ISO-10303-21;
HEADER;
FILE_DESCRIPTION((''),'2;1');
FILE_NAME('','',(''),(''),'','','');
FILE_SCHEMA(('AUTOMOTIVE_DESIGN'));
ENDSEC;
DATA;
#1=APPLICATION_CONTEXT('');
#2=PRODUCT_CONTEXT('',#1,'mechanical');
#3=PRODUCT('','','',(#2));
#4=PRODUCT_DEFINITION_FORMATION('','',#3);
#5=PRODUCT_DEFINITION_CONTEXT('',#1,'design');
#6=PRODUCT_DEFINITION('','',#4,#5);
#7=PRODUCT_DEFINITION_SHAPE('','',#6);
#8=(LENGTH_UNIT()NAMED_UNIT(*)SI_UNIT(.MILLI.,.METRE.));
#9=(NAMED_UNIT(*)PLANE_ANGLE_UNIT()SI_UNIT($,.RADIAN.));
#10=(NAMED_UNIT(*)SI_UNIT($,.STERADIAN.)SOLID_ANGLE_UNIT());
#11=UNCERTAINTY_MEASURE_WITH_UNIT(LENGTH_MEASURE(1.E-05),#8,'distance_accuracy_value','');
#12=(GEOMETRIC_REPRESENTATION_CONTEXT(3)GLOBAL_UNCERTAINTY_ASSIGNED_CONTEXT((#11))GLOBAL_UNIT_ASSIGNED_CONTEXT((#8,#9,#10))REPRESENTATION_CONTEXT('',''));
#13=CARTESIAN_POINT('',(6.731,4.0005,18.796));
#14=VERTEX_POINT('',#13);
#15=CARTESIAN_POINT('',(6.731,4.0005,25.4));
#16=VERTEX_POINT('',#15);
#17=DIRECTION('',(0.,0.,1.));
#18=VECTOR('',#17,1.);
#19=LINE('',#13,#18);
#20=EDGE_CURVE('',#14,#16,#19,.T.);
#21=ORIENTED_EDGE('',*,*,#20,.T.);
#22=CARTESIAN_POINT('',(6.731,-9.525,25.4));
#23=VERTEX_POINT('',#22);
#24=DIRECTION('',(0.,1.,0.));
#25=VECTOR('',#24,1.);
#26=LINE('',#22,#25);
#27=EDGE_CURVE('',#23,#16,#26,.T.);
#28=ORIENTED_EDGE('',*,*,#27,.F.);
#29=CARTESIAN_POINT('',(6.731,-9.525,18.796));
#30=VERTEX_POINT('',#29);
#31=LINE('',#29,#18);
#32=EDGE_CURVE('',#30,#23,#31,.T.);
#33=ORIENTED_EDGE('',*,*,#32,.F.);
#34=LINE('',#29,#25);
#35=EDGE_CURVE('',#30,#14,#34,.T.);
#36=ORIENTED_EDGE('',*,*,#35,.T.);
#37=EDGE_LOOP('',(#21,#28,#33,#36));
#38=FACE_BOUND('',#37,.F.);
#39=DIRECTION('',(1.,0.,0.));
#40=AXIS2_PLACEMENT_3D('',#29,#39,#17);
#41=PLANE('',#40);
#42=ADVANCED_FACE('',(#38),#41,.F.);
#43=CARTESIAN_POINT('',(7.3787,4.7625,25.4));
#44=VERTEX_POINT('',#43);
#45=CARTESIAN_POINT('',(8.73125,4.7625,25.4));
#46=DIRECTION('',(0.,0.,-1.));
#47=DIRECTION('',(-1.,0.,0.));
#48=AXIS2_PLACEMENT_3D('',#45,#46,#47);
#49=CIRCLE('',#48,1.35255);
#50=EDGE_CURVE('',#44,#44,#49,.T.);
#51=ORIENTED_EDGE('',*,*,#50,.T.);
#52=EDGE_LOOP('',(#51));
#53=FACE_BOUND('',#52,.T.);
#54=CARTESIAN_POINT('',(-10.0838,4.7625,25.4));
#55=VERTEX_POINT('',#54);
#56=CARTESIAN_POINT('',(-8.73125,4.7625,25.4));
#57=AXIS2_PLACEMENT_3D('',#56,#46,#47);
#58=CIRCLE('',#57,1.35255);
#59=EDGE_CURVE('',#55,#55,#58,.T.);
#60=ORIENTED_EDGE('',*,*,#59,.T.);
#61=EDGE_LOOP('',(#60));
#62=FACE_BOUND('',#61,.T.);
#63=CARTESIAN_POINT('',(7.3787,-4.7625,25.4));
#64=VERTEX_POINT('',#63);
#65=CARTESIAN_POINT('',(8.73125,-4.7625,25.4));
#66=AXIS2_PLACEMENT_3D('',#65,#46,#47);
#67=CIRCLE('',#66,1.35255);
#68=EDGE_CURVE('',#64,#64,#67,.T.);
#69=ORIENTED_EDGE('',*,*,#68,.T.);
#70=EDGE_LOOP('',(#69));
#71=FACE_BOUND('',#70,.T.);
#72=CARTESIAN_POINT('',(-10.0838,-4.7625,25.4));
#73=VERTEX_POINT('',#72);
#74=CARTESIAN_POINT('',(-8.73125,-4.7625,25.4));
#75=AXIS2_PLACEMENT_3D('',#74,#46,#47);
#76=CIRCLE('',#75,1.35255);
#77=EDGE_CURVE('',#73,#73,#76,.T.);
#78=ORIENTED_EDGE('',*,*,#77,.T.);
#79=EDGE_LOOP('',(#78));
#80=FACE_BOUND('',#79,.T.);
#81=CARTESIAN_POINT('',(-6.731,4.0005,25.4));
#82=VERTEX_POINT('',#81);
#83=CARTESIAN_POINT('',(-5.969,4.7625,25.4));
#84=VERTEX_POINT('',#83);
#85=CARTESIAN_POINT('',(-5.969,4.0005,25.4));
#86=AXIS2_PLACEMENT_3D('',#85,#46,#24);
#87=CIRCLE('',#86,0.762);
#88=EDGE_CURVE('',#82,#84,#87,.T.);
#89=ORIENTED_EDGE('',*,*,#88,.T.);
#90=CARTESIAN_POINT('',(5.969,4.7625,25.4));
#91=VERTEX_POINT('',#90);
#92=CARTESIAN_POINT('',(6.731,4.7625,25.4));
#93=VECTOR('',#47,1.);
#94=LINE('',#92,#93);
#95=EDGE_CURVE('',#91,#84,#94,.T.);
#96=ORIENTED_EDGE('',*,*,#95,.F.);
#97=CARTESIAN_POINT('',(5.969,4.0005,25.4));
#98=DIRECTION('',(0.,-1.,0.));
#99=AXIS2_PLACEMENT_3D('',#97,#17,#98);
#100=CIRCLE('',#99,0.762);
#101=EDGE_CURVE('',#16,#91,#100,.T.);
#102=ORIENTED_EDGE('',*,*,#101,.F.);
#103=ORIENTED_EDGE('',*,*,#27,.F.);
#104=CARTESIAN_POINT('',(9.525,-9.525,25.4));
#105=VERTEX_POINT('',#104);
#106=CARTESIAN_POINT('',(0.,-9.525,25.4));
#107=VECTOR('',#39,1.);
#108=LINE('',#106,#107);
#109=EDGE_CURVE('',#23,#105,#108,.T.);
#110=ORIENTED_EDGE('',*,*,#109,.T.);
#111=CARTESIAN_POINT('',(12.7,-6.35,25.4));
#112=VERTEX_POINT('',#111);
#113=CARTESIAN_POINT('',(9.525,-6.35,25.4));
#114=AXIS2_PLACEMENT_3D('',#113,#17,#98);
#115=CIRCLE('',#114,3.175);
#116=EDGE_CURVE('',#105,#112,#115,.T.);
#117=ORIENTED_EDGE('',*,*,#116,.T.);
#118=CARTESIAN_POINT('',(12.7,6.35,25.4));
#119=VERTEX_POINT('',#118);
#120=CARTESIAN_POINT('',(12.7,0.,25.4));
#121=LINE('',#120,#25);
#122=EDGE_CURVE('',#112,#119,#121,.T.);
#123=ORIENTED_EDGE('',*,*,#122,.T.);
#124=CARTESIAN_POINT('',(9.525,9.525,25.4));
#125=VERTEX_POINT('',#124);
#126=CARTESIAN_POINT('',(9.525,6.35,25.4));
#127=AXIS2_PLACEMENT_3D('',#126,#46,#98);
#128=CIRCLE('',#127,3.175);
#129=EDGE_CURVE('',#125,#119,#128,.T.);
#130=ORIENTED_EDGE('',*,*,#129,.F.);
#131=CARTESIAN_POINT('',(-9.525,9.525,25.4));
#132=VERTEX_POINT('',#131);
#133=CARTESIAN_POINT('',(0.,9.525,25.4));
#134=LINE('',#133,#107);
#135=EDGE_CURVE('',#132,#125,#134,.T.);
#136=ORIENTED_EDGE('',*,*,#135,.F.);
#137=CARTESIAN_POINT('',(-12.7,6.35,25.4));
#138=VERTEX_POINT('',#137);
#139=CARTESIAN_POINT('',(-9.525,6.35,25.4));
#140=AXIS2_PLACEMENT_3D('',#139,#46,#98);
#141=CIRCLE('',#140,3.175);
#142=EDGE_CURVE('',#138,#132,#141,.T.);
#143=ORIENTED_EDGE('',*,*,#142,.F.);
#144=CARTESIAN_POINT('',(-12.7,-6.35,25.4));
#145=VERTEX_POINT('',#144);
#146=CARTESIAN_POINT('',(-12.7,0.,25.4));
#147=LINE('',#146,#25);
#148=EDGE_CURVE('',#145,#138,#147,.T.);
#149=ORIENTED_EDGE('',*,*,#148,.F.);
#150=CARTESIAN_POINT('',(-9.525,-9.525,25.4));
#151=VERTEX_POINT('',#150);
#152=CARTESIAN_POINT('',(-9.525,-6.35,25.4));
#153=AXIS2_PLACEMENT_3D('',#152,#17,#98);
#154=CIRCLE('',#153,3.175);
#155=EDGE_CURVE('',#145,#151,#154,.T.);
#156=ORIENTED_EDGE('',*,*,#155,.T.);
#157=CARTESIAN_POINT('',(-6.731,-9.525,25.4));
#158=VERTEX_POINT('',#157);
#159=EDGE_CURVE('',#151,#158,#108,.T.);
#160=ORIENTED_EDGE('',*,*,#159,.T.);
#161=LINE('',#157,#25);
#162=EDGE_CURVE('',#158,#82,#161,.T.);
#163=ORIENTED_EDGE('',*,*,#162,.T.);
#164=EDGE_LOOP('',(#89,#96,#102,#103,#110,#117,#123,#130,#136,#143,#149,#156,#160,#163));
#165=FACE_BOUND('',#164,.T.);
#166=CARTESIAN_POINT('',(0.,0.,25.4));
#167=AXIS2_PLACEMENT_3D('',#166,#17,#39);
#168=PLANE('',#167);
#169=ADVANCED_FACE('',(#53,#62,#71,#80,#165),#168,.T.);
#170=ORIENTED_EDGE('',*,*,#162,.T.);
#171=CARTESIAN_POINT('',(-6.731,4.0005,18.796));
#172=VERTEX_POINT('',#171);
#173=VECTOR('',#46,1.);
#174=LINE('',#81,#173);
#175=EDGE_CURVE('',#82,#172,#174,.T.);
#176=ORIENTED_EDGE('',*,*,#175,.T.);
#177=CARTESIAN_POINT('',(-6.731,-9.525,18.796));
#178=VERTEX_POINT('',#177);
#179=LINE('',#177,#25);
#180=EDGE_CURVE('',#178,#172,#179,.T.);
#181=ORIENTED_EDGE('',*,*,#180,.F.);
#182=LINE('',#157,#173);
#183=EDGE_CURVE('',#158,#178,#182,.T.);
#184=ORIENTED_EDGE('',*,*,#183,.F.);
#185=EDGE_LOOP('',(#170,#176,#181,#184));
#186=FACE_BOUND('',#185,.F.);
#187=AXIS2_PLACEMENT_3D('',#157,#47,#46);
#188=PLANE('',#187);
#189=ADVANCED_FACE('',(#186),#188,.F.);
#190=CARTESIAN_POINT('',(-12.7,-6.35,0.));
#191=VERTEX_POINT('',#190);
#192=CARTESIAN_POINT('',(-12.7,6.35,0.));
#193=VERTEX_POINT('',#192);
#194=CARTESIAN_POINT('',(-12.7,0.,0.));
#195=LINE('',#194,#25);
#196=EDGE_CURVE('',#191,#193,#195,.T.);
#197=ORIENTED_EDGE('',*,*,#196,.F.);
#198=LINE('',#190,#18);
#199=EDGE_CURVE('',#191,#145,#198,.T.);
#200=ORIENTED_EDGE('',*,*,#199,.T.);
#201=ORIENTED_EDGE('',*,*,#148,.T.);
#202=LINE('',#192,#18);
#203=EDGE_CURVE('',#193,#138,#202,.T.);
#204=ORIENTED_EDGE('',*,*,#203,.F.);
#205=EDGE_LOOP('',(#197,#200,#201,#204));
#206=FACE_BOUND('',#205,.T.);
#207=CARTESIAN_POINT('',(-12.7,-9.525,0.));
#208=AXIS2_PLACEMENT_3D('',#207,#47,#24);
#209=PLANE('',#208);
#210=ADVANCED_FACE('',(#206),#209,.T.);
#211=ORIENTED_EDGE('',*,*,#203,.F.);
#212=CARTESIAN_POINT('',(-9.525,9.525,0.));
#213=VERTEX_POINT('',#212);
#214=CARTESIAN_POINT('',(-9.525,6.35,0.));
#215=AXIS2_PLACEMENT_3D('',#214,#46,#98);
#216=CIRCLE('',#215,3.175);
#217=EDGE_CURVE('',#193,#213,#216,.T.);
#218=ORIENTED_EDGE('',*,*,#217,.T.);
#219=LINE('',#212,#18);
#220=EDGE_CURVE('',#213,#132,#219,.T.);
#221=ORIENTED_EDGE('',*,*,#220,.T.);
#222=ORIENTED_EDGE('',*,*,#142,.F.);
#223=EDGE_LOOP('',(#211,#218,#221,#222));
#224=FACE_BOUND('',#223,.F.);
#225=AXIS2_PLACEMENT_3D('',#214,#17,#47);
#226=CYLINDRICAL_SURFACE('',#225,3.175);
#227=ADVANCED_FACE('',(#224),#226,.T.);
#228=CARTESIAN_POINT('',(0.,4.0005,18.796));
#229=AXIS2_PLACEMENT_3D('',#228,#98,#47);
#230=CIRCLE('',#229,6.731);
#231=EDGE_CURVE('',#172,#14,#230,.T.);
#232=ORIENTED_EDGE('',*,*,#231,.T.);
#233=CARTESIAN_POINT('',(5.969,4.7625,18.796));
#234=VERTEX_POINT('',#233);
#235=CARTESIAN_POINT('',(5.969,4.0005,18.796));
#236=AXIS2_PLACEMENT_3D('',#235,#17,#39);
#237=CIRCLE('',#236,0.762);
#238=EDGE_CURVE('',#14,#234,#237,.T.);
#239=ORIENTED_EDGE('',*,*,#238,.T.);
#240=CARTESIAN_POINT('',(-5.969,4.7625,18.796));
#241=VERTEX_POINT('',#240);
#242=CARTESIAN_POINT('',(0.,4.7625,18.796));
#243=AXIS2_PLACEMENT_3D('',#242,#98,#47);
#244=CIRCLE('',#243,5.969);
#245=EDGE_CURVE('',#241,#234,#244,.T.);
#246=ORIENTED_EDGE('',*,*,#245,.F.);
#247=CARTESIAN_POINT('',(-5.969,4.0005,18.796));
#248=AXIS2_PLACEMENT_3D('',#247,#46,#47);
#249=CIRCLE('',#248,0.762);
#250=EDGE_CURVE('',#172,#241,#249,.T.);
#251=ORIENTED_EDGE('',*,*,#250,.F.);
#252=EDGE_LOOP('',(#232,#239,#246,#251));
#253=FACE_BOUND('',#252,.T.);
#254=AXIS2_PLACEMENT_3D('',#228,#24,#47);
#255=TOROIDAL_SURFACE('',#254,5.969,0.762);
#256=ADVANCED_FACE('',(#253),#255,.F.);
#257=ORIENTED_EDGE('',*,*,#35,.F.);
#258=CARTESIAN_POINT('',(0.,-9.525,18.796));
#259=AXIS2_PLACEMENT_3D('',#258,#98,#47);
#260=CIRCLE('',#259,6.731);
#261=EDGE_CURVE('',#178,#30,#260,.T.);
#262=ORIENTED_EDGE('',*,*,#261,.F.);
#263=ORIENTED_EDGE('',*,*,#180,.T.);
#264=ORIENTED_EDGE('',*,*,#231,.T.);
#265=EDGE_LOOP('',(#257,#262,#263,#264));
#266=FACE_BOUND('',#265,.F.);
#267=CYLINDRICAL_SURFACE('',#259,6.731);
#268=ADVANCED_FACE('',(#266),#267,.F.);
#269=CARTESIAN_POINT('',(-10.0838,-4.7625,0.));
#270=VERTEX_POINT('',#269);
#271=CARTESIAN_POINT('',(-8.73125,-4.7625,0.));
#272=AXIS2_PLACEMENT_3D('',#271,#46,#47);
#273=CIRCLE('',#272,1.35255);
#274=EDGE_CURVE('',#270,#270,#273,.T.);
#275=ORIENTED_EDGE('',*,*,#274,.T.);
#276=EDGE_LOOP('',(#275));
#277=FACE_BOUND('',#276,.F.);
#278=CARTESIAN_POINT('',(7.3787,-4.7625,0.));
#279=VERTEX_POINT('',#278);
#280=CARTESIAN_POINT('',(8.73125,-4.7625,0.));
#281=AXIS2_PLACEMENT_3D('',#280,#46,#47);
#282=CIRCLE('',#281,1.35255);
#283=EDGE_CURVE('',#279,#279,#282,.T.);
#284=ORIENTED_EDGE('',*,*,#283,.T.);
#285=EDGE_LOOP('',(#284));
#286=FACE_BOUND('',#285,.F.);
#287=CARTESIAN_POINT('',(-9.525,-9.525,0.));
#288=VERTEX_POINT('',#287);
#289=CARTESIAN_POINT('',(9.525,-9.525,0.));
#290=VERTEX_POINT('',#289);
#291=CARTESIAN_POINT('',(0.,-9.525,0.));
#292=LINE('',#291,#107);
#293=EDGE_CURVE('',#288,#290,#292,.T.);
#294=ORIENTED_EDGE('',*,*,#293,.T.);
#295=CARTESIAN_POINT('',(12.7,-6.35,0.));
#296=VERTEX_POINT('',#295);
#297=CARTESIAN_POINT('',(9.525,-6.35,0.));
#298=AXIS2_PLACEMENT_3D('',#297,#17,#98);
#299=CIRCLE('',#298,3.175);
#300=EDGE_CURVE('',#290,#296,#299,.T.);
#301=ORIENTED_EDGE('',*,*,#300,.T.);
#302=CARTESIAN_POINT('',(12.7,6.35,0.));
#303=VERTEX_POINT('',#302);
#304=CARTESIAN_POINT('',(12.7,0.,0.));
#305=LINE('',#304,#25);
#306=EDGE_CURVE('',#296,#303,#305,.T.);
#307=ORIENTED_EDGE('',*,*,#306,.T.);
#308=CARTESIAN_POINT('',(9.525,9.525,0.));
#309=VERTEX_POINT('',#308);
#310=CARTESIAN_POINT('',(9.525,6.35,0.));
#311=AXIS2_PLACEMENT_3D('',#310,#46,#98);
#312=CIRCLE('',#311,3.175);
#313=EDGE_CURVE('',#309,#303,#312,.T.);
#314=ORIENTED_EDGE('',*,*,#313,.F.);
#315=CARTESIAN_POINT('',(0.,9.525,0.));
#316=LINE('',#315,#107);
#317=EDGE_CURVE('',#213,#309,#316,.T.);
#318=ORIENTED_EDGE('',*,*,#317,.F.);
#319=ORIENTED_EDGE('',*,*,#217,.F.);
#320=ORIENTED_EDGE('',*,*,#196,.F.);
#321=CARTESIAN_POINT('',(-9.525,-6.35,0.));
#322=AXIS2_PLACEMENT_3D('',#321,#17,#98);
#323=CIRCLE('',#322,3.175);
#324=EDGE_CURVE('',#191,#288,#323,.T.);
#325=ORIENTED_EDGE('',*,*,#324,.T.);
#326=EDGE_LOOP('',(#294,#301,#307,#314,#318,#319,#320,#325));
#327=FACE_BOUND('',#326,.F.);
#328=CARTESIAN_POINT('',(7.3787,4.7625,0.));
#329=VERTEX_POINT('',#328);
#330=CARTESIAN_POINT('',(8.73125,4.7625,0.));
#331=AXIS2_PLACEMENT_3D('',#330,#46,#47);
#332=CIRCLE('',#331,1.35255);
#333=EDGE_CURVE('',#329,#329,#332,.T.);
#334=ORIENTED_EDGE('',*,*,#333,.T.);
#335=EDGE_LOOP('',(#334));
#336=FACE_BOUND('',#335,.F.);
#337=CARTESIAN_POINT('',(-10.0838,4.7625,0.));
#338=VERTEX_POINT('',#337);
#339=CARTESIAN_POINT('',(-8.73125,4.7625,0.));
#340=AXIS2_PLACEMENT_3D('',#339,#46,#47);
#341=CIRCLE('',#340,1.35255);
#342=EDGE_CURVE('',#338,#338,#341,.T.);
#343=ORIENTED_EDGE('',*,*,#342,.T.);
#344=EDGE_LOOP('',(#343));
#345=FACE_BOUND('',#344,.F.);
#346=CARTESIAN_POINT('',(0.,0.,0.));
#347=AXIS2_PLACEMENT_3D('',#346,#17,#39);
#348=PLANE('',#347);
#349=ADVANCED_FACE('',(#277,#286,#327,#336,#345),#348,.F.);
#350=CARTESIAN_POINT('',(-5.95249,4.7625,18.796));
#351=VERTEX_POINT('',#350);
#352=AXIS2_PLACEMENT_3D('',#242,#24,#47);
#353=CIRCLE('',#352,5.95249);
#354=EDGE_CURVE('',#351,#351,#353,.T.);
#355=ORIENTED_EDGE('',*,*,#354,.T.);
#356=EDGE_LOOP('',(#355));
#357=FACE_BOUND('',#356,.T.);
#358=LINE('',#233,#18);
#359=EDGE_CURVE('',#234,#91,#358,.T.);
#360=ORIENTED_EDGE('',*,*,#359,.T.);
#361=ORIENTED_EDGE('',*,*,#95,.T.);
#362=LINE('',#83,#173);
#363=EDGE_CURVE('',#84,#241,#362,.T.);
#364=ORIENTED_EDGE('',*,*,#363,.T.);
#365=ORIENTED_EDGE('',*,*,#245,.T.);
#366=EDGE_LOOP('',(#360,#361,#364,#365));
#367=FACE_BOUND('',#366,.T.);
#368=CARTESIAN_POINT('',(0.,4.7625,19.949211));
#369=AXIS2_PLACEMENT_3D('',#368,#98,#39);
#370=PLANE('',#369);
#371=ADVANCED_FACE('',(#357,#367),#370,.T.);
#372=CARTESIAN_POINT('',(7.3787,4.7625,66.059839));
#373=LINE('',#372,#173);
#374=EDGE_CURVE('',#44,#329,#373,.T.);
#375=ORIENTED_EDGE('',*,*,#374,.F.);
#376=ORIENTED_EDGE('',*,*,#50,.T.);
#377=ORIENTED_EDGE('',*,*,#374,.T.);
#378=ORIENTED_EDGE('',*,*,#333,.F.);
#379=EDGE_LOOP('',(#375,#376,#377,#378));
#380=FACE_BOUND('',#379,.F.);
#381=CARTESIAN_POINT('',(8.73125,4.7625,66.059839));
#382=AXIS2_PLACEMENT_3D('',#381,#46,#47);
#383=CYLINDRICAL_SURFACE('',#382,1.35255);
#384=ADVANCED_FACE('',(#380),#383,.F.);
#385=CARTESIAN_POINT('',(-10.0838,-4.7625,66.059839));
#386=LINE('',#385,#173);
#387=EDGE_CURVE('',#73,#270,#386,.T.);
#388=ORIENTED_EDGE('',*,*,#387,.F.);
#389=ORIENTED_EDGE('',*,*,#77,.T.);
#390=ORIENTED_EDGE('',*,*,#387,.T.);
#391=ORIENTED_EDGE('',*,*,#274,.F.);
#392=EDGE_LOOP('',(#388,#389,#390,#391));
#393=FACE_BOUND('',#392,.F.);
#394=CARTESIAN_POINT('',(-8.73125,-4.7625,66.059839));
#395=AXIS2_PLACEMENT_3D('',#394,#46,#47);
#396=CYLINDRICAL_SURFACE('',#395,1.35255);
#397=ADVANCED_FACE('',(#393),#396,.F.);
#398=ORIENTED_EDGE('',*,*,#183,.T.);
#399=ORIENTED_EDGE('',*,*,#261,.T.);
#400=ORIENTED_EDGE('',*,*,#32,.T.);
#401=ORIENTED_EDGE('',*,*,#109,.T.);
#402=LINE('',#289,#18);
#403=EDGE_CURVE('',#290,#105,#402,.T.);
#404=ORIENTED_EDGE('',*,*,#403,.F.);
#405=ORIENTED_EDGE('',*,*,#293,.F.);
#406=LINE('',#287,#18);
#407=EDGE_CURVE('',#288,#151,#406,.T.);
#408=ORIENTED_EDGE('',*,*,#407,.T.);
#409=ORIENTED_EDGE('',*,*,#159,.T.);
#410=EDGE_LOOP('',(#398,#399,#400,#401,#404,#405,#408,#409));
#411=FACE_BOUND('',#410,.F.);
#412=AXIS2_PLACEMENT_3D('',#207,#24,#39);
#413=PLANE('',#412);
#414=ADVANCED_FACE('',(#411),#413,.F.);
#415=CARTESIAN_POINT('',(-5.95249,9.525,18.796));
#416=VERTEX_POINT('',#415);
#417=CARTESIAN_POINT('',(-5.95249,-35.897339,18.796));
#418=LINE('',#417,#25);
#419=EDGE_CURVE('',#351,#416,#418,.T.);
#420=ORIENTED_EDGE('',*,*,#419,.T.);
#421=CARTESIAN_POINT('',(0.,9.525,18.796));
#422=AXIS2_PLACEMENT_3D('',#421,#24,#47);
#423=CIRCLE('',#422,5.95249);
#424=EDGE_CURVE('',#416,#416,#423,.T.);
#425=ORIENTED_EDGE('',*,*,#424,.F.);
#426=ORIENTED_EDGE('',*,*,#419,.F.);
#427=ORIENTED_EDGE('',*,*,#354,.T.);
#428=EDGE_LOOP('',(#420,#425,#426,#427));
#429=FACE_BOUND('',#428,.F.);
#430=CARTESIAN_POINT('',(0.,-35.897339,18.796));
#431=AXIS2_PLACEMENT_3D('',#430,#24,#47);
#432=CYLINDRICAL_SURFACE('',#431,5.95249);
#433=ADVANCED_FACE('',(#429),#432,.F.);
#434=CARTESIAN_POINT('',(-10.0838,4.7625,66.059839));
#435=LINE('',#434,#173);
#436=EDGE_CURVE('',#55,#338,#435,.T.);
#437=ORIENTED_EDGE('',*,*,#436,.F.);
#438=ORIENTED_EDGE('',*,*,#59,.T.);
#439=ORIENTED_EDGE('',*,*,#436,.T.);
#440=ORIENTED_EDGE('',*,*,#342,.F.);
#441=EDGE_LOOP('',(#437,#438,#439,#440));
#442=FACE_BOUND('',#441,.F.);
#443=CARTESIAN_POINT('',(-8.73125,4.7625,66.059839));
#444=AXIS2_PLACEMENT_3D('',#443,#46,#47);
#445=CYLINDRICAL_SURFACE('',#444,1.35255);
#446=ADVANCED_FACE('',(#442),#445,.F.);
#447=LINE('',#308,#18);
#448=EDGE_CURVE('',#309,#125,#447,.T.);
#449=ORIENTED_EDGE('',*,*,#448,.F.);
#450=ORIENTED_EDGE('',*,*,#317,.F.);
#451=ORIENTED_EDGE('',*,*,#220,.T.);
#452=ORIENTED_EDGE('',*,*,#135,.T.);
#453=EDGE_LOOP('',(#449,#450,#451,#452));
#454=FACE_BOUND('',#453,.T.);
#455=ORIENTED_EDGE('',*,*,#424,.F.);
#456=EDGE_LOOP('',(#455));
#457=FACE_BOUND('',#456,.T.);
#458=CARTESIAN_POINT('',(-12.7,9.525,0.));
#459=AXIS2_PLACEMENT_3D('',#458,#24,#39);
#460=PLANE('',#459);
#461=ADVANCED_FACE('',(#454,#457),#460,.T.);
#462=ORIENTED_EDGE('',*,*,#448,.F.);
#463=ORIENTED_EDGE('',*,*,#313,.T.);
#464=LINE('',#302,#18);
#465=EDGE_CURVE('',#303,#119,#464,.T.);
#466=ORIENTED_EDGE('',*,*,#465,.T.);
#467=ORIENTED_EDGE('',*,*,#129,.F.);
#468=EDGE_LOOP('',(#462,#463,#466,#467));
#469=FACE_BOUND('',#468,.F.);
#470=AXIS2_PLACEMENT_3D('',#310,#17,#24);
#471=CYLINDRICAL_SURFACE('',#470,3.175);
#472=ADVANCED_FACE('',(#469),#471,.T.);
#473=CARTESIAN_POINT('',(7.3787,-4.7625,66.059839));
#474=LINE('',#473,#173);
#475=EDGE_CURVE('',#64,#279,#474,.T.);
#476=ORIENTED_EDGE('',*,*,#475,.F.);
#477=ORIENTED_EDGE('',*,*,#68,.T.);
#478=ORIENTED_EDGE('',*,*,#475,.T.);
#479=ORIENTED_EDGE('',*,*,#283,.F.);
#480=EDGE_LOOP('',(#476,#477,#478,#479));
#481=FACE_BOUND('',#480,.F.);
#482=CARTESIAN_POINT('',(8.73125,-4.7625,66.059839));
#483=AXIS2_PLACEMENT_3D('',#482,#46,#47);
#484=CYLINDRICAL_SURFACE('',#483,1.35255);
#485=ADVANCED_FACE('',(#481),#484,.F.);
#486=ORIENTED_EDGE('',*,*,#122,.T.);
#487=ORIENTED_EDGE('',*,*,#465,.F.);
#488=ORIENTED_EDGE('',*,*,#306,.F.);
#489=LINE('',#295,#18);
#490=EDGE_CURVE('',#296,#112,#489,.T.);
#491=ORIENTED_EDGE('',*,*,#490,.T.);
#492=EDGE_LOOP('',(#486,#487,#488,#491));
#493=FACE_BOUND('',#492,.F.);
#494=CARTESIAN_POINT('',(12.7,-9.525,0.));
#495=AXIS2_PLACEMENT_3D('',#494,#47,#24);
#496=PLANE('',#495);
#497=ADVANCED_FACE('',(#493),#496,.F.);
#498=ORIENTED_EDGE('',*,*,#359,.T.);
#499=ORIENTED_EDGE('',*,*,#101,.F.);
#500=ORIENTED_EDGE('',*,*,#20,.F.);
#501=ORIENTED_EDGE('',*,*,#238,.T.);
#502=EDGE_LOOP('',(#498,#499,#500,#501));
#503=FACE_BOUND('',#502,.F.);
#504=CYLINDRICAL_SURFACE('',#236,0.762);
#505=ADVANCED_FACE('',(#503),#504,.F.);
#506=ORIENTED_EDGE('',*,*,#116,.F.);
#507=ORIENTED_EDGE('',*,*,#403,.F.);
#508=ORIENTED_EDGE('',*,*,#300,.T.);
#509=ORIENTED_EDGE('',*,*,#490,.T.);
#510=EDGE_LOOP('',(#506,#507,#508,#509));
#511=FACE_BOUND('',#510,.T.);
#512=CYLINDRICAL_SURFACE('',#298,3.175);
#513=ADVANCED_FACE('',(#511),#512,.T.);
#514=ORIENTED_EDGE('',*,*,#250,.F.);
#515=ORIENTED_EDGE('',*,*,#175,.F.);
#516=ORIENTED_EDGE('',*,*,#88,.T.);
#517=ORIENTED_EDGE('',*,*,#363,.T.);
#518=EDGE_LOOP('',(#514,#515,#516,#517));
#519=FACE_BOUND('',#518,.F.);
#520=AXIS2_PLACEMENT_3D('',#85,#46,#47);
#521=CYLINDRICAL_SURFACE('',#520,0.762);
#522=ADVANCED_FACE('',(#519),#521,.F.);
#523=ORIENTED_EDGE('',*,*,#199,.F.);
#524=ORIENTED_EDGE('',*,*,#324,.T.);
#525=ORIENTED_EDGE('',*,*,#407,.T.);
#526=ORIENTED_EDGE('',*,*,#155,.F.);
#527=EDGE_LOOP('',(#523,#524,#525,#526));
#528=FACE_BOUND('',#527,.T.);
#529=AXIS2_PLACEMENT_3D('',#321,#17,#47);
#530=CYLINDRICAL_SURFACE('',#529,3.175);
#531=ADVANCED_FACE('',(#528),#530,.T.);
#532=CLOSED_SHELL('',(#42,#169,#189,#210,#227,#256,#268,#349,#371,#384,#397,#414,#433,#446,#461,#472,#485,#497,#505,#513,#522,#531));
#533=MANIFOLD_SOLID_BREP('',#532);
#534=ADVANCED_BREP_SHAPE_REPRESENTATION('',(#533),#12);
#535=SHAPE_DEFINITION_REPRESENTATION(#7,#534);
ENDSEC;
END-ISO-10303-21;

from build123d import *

# Parameters (mm, degrees)
F0_W     = 25.4
F0_H     = 19.05
F1_DEPTH = 25.4
F3_DEPTH = 14.2875
F5_D     = 2.7051
F7_D     = 11.90498
F8_R     = 3.175
F9_R     = 0.762


with BuildPart() as f1:
    # F0 (on Top) → F1 (new body)
    with BuildSketch(Plane.XY):
        Rectangle(F0_W, F0_H)
    extrude(amount=F1_DEPTH)

    # F2 (on face) → F3 (cut)
    with BuildSketch(Plane.XZ.offset(9.525)):
        with BuildLine():
            Line((6.731, 25.4), (-6.731, 25.4))
            Line((-6.731, 25.4), (-6.731, 18.796))
            ThreePointArc((-6.731, 18.796), (0, 12.065), (6.731, 18.796))
            Line((6.731, 18.796), (6.731, 25.4))
        make_face()
    extrude(amount=-F3_DEPTH, mode=Mode.SUBTRACT)

    # F5 (through all)
    with Locations(Plane.XY.offset(25.4)):
        with Locations((-8.73125, 4.7625), (-8.73125, -4.7625), (8.73125, 4.7625), (8.73125, -4.7625)):
            Hole(F5_D / 2)

    # F7 (through all)
    with Locations(Plane.XZ.offset(-4.7625)):
        with Locations((0, 18.796)):
            Hole(F7_D / 2)

    # F8
    f8_edges = [f1.edges().sort_by_distance(p)[0] for p in [
        (-12.7, -9.525, 12.7),
        (12.7, -9.525, 12.7),
        (12.7, 9.525, 12.7),
        (-12.7, 9.525, 12.7),
    ]]
    fillet(f8_edges, radius=F8_R)

    # F9
    f9_edges = [f1.edges().sort_by_distance(p)[0] for p in [
        (-6.731, 4.7625, 22.098),
        (0, 4.7625, 12.065),
        (6.731, 4.7625, 22.098),
    ]]
    fillet(f9_edges, radius=F9_R)


solid = f1.part
